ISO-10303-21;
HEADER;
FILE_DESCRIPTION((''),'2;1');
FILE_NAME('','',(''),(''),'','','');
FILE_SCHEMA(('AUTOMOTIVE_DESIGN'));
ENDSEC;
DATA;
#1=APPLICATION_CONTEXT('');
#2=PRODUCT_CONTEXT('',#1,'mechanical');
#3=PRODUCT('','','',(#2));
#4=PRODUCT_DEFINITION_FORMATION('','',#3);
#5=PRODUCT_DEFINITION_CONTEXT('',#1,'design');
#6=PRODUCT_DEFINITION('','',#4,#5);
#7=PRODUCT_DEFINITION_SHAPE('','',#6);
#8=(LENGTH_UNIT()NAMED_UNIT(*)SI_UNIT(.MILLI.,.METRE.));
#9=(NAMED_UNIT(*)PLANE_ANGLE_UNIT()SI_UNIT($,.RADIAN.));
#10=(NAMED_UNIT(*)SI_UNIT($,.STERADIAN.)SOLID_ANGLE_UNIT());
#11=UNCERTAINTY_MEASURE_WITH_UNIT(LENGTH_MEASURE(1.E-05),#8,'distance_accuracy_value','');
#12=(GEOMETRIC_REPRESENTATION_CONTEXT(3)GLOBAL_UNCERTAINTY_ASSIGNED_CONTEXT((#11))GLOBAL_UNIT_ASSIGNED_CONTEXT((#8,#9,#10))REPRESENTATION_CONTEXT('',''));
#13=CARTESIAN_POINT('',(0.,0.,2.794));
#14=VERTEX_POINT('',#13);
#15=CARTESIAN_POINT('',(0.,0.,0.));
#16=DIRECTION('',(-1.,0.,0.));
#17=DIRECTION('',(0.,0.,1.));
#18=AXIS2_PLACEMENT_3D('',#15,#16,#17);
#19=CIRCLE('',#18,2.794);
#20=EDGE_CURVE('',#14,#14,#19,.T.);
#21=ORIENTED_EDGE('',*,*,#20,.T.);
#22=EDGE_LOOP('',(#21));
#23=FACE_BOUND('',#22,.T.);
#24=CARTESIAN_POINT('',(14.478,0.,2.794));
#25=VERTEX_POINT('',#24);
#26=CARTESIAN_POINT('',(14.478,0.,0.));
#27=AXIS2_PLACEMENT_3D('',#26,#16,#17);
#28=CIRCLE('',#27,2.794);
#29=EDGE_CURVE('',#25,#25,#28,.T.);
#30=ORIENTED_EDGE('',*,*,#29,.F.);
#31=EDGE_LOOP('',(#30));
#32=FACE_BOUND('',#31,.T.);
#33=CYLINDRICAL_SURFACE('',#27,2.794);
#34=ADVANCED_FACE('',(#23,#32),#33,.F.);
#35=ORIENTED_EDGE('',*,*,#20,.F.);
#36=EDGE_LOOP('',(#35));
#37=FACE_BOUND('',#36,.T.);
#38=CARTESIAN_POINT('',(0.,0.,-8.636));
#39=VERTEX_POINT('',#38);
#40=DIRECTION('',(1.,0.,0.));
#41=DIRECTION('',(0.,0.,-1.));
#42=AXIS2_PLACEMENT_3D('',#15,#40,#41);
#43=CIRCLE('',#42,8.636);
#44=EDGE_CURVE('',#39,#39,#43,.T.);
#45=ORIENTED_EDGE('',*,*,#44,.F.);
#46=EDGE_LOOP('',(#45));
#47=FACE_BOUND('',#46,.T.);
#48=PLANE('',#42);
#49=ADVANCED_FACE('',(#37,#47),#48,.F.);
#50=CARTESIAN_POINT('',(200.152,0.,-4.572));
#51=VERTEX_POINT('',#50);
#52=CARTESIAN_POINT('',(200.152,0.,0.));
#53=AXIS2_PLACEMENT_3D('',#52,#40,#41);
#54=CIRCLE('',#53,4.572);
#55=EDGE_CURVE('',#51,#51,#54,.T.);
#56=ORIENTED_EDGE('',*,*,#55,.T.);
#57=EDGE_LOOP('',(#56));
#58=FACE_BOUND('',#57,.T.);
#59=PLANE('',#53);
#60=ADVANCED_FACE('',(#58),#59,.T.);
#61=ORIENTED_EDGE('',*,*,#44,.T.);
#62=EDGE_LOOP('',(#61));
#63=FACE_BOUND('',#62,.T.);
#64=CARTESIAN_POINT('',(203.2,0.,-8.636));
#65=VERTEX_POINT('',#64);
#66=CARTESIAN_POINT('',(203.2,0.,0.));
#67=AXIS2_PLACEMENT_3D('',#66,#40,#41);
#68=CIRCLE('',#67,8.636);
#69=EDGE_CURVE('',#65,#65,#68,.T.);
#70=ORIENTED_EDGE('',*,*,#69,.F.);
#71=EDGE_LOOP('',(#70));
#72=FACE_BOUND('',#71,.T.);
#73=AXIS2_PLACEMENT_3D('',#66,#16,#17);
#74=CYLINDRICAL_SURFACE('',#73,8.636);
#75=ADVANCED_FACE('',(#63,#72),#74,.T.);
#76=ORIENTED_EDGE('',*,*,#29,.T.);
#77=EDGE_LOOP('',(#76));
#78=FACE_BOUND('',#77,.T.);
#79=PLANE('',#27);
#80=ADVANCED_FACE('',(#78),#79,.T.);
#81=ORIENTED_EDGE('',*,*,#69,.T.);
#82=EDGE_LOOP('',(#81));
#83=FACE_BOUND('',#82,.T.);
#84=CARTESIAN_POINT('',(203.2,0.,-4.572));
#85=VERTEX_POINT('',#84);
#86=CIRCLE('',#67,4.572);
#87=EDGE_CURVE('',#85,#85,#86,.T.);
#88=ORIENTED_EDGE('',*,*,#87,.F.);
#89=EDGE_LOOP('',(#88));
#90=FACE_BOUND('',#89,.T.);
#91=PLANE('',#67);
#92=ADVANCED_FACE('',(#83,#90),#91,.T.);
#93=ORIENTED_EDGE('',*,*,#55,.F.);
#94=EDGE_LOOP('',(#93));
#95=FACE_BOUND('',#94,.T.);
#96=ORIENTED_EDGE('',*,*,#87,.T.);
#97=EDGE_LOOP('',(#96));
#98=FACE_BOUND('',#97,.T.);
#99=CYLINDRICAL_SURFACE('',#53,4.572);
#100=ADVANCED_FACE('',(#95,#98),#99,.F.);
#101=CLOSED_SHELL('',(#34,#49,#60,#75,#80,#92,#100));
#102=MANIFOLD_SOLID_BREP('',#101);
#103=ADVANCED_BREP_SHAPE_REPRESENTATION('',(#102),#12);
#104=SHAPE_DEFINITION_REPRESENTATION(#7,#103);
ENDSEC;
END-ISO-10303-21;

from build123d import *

# Parameters (mm, degrees)
SKETCH1_R           = 8.636
BOSS_EXTRUDE1_DEPTH = 203.2
SKETCH2_R           = 4.572
CUT_EXTRUDE1_DEPTH  = 3.048
SKETCH3_R           = 2.794
CUT_EXTRUDE2_DEPTH  = 14.478


with BuildPart() as part:
    # Sketch1 → Boss-Extrude1 (new body)
    with BuildSketch(Plane(origin=(0, 0, 0), x_dir=(0, 0, -1), z_dir=(1, 0, 0))):
        Circle(SKETCH1_R)
    extrude(amount=BOSS_EXTRUDE1_DEPTH)

    # Sketch2 → Cut-Extrude1 (cut)
    with BuildSketch(Plane(origin=(203.2, 0, 0), x_dir=(0, 0, -1), z_dir=(1, 0, 0))):
        Circle(SKETCH2_R)
    extrude(amount=-CUT_EXTRUDE1_DEPTH, mode=Mode.SUBTRACT)

    # Sketch3 → Cut-Extrude2 (cut)
    with BuildSketch(Plane.ZY):
        Circle(SKETCH3_R)
    extrude(amount=-CUT_EXTRUDE2_DEPTH, mode=Mode.SUBTRACT)


solid = part.part
